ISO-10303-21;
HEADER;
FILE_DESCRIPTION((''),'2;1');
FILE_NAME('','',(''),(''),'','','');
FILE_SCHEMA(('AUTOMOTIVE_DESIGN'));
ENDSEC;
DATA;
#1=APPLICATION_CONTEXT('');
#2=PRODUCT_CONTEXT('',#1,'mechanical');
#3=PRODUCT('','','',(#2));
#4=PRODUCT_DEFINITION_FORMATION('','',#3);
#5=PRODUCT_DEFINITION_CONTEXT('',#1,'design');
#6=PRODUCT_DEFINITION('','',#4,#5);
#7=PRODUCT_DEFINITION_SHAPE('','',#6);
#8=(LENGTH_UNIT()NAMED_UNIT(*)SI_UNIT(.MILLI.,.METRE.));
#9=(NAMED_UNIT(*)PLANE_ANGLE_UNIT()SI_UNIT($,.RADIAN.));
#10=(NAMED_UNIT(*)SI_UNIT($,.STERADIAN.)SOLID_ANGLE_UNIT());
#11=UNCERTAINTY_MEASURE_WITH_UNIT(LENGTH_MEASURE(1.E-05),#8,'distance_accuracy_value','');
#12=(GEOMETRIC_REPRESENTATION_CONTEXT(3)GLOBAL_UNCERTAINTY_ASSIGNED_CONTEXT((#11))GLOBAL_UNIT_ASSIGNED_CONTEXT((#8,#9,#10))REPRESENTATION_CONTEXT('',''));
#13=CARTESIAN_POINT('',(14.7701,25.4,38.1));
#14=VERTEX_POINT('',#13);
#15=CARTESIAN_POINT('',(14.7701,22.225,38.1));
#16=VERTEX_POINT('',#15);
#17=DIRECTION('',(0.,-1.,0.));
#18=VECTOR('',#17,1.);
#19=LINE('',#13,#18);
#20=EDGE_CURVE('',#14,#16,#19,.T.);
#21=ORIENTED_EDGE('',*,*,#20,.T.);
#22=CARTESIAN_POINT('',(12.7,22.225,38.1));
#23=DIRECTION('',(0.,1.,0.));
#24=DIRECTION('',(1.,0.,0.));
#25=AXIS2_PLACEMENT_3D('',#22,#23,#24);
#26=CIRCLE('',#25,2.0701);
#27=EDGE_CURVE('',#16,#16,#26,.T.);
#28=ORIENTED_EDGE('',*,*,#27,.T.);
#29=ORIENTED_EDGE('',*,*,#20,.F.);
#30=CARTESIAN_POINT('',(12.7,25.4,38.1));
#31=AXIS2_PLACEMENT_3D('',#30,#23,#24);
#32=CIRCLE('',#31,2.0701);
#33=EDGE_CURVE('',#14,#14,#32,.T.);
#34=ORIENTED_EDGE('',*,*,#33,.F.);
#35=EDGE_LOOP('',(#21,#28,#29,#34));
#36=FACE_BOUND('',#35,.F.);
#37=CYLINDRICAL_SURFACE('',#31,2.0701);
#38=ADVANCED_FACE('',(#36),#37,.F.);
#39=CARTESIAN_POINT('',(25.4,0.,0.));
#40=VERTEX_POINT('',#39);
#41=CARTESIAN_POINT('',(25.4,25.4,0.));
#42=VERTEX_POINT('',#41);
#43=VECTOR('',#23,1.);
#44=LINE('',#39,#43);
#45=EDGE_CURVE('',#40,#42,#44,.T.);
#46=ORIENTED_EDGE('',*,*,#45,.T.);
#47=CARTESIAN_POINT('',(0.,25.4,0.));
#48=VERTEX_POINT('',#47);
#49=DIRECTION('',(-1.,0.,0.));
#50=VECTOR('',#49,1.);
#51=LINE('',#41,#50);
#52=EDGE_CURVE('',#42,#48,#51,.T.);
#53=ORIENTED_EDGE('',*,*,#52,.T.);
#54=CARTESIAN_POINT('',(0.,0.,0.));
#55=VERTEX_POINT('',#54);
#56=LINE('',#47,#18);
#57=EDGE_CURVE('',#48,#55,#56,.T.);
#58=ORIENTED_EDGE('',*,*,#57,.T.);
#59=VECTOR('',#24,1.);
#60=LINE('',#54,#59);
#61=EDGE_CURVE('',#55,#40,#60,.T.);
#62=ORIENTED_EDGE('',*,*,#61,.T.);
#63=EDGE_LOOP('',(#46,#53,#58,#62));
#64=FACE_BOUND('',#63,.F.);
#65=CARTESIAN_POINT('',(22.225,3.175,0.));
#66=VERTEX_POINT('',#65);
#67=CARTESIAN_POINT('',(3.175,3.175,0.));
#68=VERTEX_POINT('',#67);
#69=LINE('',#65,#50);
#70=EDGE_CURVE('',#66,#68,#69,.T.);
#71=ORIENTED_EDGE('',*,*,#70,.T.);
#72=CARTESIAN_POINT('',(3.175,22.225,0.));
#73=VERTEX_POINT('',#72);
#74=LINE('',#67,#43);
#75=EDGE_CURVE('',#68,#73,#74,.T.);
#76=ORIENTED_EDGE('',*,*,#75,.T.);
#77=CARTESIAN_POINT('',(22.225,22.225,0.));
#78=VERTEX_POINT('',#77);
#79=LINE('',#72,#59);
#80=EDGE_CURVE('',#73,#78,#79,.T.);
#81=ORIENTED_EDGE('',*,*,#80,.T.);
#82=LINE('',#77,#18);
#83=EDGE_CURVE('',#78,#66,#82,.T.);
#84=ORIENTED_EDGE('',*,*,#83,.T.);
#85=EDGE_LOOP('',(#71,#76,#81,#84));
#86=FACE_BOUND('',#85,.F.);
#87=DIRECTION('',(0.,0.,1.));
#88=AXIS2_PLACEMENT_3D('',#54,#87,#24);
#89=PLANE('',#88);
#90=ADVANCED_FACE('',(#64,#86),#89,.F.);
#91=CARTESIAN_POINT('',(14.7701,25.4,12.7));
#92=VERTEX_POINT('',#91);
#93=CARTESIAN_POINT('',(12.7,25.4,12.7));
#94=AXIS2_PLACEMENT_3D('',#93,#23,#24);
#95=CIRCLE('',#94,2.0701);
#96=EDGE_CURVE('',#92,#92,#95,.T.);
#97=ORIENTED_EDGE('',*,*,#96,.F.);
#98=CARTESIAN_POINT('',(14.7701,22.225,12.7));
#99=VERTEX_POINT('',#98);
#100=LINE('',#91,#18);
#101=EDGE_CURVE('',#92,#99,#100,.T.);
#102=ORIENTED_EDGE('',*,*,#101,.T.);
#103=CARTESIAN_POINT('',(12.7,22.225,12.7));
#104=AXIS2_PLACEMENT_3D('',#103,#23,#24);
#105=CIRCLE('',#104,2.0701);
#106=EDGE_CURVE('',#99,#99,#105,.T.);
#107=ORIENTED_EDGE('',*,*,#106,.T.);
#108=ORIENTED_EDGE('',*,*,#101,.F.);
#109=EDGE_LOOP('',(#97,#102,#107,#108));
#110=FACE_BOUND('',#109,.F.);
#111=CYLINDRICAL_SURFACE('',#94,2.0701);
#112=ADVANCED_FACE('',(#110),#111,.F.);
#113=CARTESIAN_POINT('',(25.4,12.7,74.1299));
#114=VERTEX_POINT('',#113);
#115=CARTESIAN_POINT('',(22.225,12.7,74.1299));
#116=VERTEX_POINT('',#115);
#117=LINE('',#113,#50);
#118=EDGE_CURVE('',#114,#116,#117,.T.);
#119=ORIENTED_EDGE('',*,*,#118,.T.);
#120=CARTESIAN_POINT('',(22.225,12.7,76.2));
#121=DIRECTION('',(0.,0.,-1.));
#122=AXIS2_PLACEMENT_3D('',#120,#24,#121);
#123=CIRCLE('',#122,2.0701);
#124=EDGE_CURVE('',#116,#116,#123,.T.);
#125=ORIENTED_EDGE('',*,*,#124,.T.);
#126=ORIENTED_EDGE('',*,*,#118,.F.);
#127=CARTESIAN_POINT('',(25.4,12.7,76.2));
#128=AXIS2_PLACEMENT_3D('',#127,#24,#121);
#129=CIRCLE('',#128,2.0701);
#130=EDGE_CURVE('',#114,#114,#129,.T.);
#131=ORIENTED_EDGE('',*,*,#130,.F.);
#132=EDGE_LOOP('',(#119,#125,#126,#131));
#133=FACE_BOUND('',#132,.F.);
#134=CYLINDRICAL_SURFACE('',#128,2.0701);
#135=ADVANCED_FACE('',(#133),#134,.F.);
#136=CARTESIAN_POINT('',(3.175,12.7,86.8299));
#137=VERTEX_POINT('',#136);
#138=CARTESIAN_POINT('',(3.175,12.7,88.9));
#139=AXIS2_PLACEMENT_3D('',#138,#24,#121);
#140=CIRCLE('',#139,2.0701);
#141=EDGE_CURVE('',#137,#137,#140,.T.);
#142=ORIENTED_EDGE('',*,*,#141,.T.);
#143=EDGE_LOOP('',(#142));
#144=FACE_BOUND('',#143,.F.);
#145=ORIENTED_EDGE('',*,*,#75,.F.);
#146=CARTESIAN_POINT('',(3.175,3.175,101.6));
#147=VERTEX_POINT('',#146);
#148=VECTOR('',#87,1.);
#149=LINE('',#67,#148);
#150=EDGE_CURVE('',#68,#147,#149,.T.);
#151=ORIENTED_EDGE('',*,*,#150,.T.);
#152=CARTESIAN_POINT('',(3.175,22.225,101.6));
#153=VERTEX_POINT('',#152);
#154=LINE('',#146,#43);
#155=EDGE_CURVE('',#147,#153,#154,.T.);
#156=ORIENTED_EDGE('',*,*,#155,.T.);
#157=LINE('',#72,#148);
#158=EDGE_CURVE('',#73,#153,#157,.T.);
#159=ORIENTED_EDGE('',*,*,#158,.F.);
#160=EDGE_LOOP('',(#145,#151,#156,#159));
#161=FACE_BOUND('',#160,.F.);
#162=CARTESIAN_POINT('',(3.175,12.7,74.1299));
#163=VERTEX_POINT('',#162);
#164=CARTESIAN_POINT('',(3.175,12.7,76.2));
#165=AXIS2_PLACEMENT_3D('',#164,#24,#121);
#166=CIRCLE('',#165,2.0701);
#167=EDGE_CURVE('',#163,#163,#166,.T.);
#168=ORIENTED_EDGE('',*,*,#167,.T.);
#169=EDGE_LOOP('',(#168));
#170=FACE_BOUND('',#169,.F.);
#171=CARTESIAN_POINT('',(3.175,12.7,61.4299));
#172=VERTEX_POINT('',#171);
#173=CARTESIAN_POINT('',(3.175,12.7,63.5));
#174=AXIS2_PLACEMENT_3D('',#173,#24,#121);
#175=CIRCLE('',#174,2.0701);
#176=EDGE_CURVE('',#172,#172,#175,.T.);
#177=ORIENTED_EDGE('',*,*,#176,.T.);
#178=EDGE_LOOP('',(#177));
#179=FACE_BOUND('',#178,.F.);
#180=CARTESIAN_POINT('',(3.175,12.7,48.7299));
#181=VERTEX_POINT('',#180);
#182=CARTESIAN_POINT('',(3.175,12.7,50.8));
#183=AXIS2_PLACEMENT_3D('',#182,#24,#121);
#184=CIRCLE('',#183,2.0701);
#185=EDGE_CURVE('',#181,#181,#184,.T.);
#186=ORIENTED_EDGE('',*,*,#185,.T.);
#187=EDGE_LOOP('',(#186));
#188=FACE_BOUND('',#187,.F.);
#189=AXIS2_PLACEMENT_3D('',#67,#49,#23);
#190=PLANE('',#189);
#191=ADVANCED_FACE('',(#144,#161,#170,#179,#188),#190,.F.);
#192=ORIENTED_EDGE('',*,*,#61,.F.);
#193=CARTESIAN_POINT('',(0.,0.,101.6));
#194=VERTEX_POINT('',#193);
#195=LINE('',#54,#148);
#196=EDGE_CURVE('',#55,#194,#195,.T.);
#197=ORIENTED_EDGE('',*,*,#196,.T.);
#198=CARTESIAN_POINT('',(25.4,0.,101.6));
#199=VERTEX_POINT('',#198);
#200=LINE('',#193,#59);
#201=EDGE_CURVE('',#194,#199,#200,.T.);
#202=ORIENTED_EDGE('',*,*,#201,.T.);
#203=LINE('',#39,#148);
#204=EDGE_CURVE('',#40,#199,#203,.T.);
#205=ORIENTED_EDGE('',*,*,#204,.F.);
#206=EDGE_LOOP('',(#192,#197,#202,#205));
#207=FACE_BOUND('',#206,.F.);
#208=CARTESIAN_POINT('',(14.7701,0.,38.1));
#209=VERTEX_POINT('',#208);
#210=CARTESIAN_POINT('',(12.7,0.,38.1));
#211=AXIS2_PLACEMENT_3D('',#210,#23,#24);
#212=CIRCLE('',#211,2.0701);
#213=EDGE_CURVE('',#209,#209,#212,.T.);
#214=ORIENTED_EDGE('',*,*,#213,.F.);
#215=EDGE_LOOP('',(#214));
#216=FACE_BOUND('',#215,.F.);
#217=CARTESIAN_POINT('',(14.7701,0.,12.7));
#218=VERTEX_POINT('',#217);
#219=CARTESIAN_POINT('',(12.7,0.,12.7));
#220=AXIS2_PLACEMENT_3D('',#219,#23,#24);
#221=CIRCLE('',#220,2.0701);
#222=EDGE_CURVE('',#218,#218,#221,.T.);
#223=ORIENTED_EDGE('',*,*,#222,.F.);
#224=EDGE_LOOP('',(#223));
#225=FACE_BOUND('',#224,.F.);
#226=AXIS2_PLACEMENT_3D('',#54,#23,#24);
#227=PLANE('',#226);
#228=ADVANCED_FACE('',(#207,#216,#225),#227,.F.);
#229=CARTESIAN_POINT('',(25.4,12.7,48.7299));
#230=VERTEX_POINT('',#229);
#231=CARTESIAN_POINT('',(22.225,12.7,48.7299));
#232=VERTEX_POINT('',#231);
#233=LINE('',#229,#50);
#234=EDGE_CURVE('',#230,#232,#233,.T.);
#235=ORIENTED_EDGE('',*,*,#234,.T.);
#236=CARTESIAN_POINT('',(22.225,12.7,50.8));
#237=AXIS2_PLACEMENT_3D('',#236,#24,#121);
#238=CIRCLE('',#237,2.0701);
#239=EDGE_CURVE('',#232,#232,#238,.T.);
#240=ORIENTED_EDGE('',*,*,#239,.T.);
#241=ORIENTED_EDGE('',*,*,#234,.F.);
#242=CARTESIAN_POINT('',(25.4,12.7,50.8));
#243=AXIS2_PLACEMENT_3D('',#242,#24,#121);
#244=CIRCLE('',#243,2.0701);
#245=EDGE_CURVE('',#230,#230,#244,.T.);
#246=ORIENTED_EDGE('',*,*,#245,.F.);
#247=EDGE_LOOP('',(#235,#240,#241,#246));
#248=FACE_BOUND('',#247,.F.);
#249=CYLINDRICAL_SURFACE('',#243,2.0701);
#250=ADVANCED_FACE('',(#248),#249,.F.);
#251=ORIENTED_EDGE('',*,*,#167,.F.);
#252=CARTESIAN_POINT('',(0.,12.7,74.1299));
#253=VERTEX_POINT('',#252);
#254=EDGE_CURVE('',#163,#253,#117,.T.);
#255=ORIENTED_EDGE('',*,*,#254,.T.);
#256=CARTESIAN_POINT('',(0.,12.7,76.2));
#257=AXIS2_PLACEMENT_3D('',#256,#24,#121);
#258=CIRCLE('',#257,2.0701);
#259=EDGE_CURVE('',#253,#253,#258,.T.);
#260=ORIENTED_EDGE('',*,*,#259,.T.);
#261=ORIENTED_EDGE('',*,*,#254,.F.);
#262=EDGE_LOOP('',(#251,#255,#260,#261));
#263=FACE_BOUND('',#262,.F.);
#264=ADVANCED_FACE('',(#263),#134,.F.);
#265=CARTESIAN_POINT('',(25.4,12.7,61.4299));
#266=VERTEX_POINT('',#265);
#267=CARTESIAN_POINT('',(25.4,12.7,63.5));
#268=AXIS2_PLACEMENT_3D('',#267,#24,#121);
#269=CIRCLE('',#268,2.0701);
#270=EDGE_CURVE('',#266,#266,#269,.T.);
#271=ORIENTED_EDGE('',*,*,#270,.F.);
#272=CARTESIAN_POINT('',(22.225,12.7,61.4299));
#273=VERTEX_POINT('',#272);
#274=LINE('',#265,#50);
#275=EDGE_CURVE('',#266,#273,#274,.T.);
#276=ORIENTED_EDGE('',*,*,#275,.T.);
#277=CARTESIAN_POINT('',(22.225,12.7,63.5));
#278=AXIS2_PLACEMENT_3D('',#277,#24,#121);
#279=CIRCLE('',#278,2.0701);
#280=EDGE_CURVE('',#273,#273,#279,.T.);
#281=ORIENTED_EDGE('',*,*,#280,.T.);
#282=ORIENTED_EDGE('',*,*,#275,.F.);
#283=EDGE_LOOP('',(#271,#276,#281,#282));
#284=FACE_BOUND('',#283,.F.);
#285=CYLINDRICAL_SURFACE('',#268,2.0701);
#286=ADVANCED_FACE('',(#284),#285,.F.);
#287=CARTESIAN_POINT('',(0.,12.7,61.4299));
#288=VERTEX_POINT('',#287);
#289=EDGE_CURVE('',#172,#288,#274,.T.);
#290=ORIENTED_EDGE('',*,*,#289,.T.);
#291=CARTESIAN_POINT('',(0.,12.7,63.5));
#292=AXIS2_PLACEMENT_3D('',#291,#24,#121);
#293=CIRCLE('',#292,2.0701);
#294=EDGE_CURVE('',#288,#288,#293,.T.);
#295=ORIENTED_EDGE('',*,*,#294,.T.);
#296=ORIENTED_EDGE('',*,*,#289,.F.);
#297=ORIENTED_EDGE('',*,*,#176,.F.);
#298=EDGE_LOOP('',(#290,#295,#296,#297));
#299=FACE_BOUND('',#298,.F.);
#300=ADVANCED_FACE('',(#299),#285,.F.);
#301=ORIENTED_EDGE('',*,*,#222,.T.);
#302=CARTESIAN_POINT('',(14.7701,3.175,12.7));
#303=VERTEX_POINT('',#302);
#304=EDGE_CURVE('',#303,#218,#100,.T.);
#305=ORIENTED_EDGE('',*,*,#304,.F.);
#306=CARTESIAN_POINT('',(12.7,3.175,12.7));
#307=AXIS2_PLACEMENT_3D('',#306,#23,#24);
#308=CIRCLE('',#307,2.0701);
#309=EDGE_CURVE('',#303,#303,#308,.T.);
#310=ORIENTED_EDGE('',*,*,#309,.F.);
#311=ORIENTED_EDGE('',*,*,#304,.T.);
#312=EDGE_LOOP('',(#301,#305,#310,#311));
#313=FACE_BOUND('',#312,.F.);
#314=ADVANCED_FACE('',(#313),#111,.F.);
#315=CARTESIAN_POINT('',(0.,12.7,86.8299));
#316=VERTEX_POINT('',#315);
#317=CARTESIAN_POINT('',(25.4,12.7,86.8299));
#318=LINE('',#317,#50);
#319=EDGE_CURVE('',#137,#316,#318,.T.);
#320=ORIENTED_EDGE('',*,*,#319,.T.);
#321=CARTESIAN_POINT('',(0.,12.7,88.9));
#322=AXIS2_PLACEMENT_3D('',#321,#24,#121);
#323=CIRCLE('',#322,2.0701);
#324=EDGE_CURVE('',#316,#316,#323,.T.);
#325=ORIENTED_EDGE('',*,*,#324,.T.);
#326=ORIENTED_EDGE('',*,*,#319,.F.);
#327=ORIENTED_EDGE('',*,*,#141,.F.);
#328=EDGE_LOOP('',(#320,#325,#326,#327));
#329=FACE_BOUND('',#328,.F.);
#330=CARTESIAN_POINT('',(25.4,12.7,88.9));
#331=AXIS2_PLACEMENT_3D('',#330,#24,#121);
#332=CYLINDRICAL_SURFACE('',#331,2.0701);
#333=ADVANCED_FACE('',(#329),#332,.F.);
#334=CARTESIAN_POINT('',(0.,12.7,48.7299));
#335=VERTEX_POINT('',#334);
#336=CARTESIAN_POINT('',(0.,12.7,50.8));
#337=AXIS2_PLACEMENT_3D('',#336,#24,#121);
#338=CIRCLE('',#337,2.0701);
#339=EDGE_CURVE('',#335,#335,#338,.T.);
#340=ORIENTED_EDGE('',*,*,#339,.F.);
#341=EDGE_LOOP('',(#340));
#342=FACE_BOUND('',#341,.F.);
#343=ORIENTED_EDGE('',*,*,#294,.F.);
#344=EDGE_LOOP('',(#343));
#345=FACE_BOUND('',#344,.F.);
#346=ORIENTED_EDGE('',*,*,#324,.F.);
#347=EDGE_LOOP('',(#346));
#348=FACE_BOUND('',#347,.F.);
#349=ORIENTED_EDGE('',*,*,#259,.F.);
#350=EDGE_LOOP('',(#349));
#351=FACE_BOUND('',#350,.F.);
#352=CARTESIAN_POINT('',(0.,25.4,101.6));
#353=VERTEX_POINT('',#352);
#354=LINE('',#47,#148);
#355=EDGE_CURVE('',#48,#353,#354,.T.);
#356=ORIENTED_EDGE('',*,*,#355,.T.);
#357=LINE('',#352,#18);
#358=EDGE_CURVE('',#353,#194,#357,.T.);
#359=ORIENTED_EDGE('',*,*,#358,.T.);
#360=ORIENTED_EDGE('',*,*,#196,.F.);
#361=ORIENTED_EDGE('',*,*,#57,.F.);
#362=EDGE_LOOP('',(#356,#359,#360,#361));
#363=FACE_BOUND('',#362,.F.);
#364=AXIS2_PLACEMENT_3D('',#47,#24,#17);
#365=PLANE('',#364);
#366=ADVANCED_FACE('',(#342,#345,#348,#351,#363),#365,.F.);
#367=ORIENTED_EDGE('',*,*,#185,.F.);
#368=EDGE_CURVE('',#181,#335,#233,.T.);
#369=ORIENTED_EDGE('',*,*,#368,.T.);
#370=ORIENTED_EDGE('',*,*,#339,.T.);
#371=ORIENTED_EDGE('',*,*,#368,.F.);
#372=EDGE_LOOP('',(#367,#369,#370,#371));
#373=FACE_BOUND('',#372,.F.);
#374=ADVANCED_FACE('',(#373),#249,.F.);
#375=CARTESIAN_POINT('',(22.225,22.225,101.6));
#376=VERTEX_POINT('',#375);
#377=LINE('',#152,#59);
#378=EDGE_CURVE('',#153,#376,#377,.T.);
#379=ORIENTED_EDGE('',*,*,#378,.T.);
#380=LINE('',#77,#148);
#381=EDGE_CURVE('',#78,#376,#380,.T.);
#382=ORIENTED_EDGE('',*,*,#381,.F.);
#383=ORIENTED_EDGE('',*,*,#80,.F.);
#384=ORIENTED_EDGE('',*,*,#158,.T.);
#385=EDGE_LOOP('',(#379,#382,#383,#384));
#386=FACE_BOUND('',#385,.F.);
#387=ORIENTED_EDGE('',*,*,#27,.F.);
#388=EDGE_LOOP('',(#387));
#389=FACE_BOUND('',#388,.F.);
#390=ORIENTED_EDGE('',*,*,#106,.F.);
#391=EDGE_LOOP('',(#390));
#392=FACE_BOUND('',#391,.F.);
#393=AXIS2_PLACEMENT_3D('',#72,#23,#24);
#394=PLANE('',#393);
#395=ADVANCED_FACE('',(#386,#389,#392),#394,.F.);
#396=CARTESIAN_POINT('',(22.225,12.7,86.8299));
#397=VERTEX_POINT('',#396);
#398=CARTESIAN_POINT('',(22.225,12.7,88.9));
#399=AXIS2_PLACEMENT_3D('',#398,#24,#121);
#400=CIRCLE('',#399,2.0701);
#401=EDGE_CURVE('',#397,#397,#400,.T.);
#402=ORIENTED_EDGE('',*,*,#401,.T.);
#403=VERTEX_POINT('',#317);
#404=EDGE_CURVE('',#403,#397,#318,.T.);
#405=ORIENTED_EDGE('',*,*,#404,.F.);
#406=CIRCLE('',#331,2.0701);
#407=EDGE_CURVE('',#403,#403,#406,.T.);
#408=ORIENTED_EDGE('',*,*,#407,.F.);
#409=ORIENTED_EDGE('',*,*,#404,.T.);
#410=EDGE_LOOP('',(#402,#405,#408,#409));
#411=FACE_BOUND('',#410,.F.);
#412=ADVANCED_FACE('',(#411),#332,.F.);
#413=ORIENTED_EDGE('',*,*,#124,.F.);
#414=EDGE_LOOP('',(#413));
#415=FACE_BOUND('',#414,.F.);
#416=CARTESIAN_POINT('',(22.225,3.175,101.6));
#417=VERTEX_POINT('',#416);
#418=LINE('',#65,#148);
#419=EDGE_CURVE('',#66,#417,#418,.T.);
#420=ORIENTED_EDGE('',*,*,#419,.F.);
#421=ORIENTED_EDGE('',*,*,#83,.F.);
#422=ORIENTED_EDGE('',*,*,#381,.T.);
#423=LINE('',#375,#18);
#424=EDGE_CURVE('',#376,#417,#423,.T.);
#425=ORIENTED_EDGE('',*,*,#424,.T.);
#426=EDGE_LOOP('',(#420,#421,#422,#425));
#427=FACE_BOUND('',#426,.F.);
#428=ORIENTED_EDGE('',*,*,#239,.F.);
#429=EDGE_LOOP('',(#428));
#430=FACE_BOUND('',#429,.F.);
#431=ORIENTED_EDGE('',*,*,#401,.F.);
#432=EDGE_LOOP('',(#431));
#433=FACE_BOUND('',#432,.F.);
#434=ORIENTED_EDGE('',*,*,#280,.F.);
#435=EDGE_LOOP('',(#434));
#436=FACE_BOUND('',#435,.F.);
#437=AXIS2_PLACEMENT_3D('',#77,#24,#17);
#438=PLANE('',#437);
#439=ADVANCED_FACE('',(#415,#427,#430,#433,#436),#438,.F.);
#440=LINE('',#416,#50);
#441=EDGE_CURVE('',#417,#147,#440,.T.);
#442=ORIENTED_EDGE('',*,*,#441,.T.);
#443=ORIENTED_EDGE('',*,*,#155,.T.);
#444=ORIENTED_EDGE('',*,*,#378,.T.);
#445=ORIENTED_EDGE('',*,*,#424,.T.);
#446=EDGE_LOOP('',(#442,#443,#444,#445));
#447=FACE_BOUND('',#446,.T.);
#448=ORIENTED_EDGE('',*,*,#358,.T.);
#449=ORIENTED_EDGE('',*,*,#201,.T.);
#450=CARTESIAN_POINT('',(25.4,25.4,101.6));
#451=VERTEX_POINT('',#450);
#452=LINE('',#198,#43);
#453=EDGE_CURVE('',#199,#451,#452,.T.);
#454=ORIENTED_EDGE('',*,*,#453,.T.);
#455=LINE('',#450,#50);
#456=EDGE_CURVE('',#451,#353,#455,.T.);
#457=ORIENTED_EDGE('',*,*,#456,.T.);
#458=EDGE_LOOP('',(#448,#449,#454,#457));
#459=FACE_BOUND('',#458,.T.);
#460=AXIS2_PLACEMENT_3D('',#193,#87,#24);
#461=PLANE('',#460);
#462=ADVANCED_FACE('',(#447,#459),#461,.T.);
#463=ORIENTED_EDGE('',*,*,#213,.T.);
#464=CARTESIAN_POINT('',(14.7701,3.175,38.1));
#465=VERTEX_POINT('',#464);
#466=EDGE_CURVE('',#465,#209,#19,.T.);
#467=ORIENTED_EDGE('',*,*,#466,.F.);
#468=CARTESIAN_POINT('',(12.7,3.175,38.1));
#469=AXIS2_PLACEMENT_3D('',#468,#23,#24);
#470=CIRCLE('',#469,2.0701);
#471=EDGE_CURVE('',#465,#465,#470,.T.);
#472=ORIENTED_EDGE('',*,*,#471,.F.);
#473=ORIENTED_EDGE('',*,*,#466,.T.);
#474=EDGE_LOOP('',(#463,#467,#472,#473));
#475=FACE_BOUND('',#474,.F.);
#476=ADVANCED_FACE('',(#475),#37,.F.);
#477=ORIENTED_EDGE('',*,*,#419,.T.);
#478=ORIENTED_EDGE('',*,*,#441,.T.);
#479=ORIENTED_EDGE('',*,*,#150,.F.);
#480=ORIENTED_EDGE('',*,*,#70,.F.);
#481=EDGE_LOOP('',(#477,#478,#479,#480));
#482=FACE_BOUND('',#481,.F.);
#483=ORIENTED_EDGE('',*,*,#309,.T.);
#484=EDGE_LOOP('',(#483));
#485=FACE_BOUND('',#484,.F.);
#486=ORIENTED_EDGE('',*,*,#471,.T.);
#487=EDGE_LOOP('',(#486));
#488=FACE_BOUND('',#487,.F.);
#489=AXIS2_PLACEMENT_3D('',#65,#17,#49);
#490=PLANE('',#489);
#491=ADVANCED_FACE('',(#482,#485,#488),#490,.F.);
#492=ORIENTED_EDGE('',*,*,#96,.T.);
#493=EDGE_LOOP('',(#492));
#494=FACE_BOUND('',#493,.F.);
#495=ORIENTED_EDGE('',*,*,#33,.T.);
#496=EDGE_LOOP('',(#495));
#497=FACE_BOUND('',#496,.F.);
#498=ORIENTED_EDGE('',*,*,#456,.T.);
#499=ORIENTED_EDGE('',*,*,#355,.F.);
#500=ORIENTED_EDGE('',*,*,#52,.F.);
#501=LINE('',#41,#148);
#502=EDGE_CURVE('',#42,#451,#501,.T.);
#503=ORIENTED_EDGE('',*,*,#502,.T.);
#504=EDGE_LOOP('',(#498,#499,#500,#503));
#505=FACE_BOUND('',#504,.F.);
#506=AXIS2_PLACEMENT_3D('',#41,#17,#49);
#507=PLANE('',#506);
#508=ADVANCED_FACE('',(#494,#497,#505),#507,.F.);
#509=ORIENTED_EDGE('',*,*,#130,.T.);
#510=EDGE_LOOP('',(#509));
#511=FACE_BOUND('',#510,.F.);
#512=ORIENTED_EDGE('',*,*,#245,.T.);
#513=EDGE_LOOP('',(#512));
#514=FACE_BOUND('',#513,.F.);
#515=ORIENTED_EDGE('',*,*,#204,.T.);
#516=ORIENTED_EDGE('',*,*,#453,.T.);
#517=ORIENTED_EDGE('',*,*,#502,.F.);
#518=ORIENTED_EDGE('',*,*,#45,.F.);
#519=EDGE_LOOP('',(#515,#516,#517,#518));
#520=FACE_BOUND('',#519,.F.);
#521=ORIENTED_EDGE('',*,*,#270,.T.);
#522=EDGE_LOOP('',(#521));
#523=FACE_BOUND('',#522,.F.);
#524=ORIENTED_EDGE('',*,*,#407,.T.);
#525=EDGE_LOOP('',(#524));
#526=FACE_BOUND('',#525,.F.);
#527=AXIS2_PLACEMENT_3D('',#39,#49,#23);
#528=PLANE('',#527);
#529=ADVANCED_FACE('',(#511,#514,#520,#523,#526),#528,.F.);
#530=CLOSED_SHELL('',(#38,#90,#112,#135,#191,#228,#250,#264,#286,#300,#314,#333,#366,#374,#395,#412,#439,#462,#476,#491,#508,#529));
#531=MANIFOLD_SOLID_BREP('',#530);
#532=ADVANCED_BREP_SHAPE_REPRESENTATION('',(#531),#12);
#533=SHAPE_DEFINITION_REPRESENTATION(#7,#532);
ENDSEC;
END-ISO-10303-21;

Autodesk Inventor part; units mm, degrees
ref_plane "YZ Plane" through (0, 0, 0) normal (1, 0, 0) x (0, 1, 0)
ref_plane "XZ Plane" through (0, 0, 0) normal (0, 1, 0) x (-1, 0, 0)
ref_plane "XY Plane" through (0, 0, 0) normal (0, 0, 1) x (1, 0, 0)
sketch "Sketch1" plane through (0, 0, 0) normal (0, 0, 1) x (1, 0, 0)
  line L0 (0, 0) -> (25.4, 0)
  line L1 (25.4, 0) -> (25.4, 25.4)
  line L2 (25.4, 25.4) -> (0, 25.4)
  line L3 (0, 25.4) -> (0, 0)
  line L4 (3.175, 22.225) -> (22.225, 22.225)
  line L5 (22.225, 22.225) -> (22.225, 3.175)
  line L6 (22.225, 3.175) -> (3.175, 3.175)
  line L7 (3.175, 3.175) -> (3.175, 22.225)
  dimension "d0" = 25.4
  dimension "d1" = 25.4
  dimension "d2" = 3.175
extrude "Extrusion1" add sketch "Sketch1" along normal blind 101.6
sketch "Sketch2" plane through (25.4, 0, 0) normal (1, 0, 0) x (0, 0, -1)
  line L0 (-101.6, 0) -> (-101.6, 25.4) projected
  line L1 (0, 0) -> (-101.6, 0) projected
  circle A0 centre (-88.9, 12.7) radius 2.0701
  circle A1 centre (-76.2, 12.7) radius 2.0701
  circle A2 centre (-63.5, 12.7) radius 2.0701
  circle A3 centre (-50.8, 12.7) radius 2.0701
  dimension "d5" = 4.1402
  dimension "d6" = 12.7
  dimension "d7" = 12.7
  dimension "d10" = 12.7
extrude "Extrusion2" cut sketch "Sketch2" against normal blind 101.6
sketch "Sketch3" plane through (0, 25.4, 0) normal (0, 1, 0) x (1, 0, 0)
  line L0 (25.4, 0) -> (0, 0) projected
  line L1 (25.4, 0) -> (25.4, -101.6) projected
  circle A0 centre (12.7, -12.7) radius 2.0701
  circle A1 centre (12.7, -38.1) radius 2.0701
  dimension "d17" = 4.1402
  dimension "d18" = 12.7
  dimension "d19" = 12.7
  dimension "d22" = 25.4
extrude "Extrusion3" cut sketch "Sketch3" against normal blind 101.6
properties part number "Clapper Pneumatic Supports (2)"
